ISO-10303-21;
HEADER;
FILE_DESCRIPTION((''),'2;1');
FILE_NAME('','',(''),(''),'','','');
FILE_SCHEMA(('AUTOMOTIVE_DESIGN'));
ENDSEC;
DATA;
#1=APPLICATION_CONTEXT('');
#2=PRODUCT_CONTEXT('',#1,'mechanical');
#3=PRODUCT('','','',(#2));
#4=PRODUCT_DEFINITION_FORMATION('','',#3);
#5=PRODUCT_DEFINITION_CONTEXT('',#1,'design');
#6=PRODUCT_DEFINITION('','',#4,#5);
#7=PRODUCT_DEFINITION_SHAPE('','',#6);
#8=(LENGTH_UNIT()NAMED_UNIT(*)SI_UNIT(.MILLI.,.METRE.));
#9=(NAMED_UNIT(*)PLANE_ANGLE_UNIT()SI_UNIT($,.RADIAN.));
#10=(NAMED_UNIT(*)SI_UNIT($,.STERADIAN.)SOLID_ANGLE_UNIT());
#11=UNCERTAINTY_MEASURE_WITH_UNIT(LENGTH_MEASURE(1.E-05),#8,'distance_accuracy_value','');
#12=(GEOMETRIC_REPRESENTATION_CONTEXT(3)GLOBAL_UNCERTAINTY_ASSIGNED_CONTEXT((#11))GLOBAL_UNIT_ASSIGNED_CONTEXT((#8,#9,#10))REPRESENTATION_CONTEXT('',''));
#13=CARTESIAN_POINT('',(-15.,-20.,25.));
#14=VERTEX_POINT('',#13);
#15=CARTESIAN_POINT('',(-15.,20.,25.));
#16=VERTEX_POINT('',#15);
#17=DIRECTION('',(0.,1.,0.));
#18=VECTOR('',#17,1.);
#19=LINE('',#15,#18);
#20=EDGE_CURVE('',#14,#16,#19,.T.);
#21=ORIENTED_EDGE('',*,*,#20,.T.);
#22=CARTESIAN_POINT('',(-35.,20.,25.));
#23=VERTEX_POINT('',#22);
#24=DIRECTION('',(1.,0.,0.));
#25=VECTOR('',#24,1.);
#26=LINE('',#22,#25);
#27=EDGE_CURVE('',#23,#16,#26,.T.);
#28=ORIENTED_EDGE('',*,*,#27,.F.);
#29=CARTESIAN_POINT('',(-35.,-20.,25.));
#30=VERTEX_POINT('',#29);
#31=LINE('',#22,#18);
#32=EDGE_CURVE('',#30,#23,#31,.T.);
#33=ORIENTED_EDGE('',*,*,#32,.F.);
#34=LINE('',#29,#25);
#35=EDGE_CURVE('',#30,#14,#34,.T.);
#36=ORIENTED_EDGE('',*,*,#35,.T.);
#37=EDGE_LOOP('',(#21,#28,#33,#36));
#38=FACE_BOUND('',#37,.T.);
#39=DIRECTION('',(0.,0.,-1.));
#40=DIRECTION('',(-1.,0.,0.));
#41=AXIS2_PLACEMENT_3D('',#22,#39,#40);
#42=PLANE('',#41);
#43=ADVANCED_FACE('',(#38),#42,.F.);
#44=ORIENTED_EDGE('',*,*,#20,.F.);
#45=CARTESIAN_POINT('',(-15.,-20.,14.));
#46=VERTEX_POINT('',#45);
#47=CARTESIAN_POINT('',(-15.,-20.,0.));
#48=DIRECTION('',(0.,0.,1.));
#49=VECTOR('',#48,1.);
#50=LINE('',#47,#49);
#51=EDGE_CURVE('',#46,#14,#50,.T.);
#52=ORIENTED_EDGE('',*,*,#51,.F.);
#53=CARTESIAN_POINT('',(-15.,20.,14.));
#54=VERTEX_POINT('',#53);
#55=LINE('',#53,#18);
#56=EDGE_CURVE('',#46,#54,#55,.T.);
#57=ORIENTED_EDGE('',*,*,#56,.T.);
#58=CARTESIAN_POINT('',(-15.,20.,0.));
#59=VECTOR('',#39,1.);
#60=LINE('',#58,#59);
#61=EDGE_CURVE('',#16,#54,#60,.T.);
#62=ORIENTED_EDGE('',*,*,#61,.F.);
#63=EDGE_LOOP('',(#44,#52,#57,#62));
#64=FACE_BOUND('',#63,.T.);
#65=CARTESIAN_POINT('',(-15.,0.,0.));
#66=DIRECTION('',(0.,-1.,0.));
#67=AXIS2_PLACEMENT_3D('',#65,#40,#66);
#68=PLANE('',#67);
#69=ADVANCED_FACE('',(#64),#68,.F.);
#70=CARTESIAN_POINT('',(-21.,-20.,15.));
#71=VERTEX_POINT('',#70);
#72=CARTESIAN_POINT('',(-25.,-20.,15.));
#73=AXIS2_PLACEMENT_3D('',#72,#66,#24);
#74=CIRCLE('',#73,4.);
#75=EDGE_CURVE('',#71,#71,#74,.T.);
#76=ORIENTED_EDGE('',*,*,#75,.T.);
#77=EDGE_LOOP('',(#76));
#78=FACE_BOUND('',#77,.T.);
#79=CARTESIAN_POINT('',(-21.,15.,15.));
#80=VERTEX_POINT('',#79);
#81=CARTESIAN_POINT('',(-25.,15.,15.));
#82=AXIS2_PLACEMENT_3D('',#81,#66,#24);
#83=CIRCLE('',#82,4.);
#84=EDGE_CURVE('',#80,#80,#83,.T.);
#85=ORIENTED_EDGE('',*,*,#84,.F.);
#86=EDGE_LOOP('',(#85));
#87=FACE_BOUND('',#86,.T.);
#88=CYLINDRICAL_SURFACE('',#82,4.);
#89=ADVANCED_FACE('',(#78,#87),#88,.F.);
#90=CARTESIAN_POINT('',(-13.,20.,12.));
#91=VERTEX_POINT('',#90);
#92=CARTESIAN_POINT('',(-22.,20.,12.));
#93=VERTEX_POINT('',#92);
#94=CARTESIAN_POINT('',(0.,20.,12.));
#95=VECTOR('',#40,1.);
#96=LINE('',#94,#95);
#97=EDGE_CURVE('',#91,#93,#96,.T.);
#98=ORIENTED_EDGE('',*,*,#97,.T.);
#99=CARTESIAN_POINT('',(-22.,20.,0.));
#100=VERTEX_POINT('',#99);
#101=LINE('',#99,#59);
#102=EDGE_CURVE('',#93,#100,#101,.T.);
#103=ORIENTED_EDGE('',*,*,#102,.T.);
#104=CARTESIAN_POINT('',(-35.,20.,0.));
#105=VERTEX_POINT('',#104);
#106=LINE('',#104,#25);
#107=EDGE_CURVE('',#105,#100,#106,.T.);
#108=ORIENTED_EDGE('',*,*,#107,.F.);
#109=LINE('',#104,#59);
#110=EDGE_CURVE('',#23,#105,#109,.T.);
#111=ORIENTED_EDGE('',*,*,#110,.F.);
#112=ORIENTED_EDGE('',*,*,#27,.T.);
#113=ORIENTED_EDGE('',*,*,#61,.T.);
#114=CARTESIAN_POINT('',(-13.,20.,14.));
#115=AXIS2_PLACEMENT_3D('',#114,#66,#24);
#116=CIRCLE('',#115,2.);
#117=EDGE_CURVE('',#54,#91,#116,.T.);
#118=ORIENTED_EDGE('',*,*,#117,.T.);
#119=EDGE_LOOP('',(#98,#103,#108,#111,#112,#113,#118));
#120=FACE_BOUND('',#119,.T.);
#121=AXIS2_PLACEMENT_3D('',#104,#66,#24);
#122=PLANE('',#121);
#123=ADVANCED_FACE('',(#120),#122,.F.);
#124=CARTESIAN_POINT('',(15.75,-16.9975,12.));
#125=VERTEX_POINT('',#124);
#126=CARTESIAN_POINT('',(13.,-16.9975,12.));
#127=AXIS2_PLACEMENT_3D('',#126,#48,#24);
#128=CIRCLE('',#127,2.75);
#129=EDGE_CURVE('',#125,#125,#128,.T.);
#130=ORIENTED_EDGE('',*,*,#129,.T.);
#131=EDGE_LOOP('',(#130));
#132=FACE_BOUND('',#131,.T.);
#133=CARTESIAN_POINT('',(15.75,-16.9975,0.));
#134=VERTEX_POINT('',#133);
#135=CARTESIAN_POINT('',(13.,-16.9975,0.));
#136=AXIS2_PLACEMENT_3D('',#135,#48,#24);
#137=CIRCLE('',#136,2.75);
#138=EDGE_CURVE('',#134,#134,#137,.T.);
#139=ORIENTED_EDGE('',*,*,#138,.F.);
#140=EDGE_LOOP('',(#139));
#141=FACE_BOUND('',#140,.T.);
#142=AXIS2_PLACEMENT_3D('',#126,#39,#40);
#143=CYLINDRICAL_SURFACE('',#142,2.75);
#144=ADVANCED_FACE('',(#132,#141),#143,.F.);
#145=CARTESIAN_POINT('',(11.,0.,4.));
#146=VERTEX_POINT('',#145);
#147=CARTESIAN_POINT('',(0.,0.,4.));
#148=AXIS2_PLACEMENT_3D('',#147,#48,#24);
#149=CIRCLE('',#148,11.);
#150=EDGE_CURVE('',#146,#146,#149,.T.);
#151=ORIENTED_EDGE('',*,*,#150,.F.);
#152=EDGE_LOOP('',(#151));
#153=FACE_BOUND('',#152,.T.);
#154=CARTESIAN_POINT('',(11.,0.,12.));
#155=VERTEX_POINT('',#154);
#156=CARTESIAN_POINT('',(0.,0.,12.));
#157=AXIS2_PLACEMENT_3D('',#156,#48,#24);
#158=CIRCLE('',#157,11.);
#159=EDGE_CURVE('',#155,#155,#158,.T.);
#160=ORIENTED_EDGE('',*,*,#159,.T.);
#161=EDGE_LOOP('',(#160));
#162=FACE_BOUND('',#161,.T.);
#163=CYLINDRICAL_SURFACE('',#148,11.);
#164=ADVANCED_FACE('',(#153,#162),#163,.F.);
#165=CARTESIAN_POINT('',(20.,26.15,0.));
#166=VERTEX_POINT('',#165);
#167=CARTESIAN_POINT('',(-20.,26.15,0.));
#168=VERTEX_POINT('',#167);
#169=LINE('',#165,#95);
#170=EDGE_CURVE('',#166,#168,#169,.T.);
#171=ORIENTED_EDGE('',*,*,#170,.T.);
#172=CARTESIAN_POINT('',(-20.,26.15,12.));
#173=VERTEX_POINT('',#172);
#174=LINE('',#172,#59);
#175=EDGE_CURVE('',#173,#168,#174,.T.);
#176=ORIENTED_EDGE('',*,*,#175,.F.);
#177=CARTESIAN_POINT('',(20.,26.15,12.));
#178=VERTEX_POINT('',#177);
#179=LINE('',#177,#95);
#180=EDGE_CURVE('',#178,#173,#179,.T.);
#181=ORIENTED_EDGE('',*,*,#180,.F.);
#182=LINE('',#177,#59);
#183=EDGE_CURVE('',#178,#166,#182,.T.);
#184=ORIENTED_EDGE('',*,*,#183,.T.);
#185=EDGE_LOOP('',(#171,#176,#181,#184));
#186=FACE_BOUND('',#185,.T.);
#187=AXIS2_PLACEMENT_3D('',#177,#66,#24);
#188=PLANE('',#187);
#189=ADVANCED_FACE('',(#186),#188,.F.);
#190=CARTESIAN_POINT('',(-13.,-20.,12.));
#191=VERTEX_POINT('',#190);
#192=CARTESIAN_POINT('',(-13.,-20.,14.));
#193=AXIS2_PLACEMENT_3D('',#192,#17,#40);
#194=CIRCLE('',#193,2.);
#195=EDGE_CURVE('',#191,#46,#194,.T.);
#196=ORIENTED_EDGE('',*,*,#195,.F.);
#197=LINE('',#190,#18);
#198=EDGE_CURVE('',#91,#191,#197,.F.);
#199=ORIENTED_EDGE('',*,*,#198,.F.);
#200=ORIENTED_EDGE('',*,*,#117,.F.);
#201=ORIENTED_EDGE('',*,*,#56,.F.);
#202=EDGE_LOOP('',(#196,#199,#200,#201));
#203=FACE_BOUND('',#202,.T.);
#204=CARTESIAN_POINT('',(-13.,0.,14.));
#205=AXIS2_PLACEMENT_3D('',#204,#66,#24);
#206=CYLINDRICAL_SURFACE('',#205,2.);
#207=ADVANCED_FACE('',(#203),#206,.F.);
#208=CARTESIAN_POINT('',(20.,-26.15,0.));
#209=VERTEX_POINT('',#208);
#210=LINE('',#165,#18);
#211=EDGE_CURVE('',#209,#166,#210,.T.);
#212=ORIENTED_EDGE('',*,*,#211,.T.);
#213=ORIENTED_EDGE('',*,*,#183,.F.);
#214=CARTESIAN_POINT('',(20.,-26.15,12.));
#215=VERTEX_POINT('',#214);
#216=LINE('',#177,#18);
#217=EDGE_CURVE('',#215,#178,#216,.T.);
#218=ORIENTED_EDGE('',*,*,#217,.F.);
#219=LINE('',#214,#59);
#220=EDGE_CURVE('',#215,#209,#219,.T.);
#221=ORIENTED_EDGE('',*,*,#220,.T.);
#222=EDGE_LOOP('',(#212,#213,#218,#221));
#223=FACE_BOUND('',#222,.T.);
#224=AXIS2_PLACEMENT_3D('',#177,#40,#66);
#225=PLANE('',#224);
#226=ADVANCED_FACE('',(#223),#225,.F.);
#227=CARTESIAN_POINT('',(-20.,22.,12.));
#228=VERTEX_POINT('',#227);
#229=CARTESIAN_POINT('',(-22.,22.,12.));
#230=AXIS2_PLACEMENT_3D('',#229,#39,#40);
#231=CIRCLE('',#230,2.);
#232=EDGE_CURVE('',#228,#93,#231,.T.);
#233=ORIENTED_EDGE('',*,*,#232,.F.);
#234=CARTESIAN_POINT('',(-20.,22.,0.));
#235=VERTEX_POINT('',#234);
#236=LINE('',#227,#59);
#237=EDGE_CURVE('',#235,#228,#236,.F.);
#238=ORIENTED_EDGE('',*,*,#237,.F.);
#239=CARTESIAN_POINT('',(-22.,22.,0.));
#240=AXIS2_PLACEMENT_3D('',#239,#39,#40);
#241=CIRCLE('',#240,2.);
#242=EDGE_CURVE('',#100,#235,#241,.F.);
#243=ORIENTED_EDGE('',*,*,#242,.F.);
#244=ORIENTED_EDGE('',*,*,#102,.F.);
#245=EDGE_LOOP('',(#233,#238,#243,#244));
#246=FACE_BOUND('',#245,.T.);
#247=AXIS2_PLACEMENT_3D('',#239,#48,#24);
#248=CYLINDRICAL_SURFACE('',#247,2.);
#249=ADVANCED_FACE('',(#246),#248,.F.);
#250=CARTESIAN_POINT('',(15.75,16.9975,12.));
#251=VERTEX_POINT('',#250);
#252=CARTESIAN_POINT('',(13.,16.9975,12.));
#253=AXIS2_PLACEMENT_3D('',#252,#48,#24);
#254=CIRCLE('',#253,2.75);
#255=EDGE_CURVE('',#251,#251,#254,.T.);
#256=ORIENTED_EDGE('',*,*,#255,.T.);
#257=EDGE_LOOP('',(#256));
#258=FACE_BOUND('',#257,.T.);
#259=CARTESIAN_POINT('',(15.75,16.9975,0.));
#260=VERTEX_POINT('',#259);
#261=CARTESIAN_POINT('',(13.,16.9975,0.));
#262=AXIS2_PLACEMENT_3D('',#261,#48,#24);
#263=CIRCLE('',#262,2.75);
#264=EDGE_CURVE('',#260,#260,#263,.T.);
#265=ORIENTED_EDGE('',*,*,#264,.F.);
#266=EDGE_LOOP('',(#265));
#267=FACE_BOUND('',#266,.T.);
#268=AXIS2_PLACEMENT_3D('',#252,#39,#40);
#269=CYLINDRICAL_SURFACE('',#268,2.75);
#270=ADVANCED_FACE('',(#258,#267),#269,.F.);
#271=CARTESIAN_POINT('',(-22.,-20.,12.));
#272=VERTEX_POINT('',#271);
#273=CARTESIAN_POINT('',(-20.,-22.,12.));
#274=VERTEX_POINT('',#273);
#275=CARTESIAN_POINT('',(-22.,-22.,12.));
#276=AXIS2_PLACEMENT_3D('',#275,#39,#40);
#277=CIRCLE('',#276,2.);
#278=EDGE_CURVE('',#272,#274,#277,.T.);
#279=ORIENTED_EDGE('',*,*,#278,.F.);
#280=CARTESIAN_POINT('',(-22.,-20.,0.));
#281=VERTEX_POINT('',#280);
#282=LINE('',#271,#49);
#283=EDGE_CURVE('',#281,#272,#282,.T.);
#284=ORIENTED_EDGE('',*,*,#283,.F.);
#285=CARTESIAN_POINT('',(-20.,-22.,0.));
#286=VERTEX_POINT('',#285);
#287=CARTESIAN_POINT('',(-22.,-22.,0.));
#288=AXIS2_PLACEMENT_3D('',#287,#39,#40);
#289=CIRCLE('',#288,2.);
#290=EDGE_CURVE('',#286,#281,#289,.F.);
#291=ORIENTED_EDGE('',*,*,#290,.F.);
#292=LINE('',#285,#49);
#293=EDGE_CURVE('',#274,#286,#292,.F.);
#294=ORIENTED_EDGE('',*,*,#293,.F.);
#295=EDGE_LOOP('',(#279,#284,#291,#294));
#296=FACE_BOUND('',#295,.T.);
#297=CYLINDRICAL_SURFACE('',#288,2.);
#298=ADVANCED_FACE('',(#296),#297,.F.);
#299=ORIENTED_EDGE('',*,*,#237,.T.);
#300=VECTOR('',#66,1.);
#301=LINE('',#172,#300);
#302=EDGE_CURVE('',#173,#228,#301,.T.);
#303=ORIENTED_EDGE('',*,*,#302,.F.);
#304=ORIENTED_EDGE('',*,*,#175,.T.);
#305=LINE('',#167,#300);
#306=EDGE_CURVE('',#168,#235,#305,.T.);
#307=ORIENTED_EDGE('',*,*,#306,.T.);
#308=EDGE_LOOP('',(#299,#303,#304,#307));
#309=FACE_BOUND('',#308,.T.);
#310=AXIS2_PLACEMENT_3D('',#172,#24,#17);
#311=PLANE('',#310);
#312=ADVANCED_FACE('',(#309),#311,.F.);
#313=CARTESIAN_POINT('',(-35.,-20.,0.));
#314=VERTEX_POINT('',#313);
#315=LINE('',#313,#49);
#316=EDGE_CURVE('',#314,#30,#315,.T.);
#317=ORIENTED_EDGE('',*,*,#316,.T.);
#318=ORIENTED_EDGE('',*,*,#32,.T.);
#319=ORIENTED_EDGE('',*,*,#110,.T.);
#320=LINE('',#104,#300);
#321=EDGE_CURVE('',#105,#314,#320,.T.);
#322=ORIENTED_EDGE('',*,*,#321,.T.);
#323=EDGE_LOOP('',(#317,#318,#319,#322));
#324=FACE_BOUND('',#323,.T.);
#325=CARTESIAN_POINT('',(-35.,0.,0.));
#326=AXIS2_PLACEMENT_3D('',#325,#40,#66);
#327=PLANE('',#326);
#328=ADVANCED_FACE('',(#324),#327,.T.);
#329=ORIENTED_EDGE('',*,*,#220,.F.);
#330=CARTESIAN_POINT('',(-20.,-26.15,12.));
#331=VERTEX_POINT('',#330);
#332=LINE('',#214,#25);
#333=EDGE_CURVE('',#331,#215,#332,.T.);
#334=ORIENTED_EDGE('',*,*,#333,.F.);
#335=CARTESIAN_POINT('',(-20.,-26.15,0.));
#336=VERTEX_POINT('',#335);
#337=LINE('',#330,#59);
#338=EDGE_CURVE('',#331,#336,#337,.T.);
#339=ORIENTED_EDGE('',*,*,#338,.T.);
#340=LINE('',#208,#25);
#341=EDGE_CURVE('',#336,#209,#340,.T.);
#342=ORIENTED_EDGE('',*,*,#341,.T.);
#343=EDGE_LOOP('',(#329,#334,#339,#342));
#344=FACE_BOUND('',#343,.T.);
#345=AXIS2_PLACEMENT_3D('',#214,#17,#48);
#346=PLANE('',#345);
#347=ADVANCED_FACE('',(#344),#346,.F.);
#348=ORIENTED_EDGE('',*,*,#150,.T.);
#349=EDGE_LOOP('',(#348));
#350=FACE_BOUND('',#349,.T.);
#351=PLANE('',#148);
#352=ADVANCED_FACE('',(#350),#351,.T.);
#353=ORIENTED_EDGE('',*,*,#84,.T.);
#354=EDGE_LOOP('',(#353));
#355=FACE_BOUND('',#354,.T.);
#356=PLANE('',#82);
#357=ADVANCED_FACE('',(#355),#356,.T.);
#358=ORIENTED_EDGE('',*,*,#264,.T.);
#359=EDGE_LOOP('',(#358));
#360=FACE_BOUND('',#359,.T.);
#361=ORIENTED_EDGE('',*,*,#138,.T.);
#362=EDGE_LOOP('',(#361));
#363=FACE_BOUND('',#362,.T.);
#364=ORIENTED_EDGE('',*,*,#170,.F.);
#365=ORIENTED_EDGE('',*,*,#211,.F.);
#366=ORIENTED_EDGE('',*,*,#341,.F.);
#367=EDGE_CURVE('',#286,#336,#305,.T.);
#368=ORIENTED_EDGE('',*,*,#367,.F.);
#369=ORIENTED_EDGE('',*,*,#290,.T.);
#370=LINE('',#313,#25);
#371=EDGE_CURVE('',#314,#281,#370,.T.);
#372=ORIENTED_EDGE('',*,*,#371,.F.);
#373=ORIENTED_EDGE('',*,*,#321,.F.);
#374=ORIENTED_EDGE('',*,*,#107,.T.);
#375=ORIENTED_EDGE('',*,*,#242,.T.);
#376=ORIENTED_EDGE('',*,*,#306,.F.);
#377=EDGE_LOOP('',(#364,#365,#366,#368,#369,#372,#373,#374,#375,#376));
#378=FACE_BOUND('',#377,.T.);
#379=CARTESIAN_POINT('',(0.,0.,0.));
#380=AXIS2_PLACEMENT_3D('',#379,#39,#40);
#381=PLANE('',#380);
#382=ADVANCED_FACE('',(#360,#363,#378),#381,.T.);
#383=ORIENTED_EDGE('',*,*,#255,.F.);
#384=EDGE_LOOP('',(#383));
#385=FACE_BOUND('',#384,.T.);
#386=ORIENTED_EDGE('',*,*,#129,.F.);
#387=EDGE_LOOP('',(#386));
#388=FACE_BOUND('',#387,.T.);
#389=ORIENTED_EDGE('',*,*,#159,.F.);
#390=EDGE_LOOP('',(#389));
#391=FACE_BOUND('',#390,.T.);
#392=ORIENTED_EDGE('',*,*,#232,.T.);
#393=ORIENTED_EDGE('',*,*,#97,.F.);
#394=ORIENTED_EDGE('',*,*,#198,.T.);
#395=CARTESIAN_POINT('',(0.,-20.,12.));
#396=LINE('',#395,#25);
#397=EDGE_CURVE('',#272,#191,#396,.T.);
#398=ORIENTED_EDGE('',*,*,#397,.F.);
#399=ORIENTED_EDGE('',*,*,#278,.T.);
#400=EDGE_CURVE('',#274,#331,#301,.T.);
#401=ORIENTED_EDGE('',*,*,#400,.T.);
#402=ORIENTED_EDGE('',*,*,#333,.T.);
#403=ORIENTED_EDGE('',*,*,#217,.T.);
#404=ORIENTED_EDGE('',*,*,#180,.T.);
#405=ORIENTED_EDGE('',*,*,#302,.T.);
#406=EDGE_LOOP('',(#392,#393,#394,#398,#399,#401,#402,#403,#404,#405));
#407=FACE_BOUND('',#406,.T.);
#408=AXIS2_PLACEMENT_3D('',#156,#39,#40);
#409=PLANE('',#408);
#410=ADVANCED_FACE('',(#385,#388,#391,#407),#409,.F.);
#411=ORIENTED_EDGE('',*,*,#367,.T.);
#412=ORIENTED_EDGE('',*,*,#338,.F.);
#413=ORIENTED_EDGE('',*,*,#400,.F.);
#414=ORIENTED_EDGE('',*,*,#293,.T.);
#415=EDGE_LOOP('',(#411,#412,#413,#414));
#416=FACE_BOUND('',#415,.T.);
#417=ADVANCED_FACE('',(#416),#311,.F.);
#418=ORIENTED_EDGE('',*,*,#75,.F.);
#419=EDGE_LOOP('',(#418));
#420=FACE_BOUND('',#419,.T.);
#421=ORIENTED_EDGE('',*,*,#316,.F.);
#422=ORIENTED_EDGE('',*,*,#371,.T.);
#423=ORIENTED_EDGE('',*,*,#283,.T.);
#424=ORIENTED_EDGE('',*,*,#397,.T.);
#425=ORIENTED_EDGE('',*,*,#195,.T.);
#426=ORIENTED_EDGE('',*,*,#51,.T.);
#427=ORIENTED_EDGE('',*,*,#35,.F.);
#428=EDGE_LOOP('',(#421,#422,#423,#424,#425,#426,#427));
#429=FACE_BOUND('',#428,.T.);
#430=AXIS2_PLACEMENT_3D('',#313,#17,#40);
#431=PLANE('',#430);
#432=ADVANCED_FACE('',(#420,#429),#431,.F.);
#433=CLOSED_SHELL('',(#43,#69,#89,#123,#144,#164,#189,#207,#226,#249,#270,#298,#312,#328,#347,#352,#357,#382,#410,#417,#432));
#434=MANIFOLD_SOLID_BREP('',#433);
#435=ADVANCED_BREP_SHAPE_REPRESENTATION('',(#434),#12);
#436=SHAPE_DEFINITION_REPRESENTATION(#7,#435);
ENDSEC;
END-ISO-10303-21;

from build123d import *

# Parameters (mm, degrees)
SKETCH1_W           = 40
SKETCH1_H           = 52.3
SKETCH1_R           = 2.75
BOSS_EXTRUDE1_DEPTH = 12
SKETCH2_R           = 11
CUT_EXTRUDE1_DEPTH  = 8
SKETCH6_W           = 25
SKETCH6_H           = 40
BOSS_EXTRUDE3_DEPTH = 20
FILLET1_R           = 2
FILLET2_R           = 2
SKETCH7_R           = 4
CUT_EXTRUDE2_DEPTH  = 35


with BuildPart() as part:
    # Sketch1 → Boss-Extrude1 (new body)
    with BuildSketch(Plane.XY):
        Rectangle(SKETCH1_W, SKETCH1_H)
        with Locations((13, 16.9975)):
            Circle(SKETCH1_R, mode=Mode.SUBTRACT)
        with Locations((13, -16.9975)):
            Circle(SKETCH1_R, mode=Mode.SUBTRACT)
    extrude(amount=BOSS_EXTRUDE1_DEPTH)

    # Sketch2 → Cut-Extrude1 (cut)
    with BuildSketch(Plane.XY.offset(12)):
        Circle(SKETCH2_R)
    extrude(amount=-CUT_EXTRUDE1_DEPTH, mode=Mode.SUBTRACT)

    # Sketch6 → Boss-Extrude3 (add)
    with BuildSketch(Plane.ZY.offset(15)):
        with Locations((12.5, 0)):
            Rectangle(SKETCH6_W, SKETCH6_H)
    extrude(amount=BOSS_EXTRUDE3_DEPTH)

    # Fillet1
    fillet1_edges = [part.edges().sort_by_distance(p)[0] for p in [
        (-20, 20, 6),
        (-20, -20, 6),
    ]]
    fillet(fillet1_edges, radius=FILLET1_R)

    # Fillet2
    fillet2_edges = [part.edges().sort_by_distance(p)[0] for p in [
        (-15, 0, 12),
    ]]
    fillet(fillet2_edges, radius=FILLET2_R)

    # Sketch7 → Cut-Extrude2 (cut)
    with BuildSketch(Plane.XZ.offset(20)):
        with Locations((-25, 15)):
            Circle(SKETCH7_R)
    extrude(amount=-CUT_EXTRUDE2_DEPTH, mode=Mode.SUBTRACT)


solid = part.part
